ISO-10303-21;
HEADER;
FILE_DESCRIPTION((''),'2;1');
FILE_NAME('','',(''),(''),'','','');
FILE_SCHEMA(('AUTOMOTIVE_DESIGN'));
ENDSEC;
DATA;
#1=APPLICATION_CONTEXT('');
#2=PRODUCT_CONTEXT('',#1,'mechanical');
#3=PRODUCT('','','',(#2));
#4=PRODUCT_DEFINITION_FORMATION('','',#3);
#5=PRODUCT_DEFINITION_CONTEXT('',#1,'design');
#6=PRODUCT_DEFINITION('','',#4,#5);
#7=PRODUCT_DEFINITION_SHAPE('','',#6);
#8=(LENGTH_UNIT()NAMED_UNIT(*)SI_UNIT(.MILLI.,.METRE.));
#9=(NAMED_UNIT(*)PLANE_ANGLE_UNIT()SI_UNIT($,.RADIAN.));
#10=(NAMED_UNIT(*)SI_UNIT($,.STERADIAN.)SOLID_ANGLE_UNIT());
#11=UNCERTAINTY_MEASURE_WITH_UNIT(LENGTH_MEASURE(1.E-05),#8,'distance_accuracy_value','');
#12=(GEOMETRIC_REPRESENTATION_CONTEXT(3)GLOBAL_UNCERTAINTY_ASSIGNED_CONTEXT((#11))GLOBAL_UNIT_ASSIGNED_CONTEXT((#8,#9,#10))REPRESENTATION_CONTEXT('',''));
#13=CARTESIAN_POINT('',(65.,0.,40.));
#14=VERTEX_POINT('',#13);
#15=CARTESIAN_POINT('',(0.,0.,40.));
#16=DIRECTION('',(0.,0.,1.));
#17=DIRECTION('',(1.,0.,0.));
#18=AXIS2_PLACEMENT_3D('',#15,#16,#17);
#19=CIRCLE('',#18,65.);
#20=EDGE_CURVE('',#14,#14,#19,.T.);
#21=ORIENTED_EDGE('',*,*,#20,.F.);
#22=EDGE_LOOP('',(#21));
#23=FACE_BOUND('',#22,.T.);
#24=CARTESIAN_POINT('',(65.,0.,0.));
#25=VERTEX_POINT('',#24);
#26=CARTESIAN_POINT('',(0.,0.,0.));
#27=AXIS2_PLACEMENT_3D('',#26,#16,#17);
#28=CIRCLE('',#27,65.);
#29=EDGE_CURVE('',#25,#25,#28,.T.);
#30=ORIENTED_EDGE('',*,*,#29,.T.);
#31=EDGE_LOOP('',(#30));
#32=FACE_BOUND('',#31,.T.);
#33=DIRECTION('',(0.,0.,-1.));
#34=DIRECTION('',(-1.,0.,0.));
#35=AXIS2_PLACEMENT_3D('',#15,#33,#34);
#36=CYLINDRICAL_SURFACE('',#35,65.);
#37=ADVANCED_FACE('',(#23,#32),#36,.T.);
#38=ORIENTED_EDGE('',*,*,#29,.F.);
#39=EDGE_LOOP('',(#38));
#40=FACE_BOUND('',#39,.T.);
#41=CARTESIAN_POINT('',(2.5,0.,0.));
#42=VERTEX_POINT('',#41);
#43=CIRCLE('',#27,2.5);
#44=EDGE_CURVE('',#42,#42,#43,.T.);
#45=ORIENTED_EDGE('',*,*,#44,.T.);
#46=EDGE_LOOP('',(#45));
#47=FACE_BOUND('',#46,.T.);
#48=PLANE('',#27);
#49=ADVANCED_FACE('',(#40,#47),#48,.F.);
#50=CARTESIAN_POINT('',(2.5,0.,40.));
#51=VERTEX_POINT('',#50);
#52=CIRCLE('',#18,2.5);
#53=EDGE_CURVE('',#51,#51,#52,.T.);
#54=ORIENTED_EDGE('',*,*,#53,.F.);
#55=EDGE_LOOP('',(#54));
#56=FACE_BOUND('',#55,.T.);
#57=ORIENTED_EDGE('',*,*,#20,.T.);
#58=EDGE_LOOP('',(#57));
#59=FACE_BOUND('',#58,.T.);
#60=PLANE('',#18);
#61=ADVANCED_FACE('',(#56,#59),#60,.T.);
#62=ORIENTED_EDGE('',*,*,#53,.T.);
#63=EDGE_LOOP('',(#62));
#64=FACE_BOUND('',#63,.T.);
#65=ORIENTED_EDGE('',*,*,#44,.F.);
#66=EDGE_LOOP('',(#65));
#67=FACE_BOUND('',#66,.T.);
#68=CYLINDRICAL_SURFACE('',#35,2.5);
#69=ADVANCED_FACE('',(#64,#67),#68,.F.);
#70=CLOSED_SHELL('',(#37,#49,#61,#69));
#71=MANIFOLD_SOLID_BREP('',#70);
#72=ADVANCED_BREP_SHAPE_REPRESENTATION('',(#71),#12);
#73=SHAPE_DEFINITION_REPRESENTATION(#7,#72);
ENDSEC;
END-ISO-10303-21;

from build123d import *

# Parameters (mm, degrees)
SKETCH1_R           = 65
BOSS_EXTRUDE1_DEPTH = 40
SKETCH2_R           = 2.5
CUT_EXTRUDE1_DEPTH  = 41


with BuildPart() as part:
    # Sketch1 → Boss-Extrude1 (new body)
    with BuildSketch(Plane.XY):
        Circle(SKETCH1_R)
    extrude(amount=BOSS_EXTRUDE1_DEPTH)

    # Sketch2 → Cut-Extrude1 (cut, through all)
    with BuildSketch(Plane.XY):
        Circle(SKETCH2_R)
    extrude(amount=CUT_EXTRUDE1_DEPTH, mode=Mode.SUBTRACT)


solid = part.part
